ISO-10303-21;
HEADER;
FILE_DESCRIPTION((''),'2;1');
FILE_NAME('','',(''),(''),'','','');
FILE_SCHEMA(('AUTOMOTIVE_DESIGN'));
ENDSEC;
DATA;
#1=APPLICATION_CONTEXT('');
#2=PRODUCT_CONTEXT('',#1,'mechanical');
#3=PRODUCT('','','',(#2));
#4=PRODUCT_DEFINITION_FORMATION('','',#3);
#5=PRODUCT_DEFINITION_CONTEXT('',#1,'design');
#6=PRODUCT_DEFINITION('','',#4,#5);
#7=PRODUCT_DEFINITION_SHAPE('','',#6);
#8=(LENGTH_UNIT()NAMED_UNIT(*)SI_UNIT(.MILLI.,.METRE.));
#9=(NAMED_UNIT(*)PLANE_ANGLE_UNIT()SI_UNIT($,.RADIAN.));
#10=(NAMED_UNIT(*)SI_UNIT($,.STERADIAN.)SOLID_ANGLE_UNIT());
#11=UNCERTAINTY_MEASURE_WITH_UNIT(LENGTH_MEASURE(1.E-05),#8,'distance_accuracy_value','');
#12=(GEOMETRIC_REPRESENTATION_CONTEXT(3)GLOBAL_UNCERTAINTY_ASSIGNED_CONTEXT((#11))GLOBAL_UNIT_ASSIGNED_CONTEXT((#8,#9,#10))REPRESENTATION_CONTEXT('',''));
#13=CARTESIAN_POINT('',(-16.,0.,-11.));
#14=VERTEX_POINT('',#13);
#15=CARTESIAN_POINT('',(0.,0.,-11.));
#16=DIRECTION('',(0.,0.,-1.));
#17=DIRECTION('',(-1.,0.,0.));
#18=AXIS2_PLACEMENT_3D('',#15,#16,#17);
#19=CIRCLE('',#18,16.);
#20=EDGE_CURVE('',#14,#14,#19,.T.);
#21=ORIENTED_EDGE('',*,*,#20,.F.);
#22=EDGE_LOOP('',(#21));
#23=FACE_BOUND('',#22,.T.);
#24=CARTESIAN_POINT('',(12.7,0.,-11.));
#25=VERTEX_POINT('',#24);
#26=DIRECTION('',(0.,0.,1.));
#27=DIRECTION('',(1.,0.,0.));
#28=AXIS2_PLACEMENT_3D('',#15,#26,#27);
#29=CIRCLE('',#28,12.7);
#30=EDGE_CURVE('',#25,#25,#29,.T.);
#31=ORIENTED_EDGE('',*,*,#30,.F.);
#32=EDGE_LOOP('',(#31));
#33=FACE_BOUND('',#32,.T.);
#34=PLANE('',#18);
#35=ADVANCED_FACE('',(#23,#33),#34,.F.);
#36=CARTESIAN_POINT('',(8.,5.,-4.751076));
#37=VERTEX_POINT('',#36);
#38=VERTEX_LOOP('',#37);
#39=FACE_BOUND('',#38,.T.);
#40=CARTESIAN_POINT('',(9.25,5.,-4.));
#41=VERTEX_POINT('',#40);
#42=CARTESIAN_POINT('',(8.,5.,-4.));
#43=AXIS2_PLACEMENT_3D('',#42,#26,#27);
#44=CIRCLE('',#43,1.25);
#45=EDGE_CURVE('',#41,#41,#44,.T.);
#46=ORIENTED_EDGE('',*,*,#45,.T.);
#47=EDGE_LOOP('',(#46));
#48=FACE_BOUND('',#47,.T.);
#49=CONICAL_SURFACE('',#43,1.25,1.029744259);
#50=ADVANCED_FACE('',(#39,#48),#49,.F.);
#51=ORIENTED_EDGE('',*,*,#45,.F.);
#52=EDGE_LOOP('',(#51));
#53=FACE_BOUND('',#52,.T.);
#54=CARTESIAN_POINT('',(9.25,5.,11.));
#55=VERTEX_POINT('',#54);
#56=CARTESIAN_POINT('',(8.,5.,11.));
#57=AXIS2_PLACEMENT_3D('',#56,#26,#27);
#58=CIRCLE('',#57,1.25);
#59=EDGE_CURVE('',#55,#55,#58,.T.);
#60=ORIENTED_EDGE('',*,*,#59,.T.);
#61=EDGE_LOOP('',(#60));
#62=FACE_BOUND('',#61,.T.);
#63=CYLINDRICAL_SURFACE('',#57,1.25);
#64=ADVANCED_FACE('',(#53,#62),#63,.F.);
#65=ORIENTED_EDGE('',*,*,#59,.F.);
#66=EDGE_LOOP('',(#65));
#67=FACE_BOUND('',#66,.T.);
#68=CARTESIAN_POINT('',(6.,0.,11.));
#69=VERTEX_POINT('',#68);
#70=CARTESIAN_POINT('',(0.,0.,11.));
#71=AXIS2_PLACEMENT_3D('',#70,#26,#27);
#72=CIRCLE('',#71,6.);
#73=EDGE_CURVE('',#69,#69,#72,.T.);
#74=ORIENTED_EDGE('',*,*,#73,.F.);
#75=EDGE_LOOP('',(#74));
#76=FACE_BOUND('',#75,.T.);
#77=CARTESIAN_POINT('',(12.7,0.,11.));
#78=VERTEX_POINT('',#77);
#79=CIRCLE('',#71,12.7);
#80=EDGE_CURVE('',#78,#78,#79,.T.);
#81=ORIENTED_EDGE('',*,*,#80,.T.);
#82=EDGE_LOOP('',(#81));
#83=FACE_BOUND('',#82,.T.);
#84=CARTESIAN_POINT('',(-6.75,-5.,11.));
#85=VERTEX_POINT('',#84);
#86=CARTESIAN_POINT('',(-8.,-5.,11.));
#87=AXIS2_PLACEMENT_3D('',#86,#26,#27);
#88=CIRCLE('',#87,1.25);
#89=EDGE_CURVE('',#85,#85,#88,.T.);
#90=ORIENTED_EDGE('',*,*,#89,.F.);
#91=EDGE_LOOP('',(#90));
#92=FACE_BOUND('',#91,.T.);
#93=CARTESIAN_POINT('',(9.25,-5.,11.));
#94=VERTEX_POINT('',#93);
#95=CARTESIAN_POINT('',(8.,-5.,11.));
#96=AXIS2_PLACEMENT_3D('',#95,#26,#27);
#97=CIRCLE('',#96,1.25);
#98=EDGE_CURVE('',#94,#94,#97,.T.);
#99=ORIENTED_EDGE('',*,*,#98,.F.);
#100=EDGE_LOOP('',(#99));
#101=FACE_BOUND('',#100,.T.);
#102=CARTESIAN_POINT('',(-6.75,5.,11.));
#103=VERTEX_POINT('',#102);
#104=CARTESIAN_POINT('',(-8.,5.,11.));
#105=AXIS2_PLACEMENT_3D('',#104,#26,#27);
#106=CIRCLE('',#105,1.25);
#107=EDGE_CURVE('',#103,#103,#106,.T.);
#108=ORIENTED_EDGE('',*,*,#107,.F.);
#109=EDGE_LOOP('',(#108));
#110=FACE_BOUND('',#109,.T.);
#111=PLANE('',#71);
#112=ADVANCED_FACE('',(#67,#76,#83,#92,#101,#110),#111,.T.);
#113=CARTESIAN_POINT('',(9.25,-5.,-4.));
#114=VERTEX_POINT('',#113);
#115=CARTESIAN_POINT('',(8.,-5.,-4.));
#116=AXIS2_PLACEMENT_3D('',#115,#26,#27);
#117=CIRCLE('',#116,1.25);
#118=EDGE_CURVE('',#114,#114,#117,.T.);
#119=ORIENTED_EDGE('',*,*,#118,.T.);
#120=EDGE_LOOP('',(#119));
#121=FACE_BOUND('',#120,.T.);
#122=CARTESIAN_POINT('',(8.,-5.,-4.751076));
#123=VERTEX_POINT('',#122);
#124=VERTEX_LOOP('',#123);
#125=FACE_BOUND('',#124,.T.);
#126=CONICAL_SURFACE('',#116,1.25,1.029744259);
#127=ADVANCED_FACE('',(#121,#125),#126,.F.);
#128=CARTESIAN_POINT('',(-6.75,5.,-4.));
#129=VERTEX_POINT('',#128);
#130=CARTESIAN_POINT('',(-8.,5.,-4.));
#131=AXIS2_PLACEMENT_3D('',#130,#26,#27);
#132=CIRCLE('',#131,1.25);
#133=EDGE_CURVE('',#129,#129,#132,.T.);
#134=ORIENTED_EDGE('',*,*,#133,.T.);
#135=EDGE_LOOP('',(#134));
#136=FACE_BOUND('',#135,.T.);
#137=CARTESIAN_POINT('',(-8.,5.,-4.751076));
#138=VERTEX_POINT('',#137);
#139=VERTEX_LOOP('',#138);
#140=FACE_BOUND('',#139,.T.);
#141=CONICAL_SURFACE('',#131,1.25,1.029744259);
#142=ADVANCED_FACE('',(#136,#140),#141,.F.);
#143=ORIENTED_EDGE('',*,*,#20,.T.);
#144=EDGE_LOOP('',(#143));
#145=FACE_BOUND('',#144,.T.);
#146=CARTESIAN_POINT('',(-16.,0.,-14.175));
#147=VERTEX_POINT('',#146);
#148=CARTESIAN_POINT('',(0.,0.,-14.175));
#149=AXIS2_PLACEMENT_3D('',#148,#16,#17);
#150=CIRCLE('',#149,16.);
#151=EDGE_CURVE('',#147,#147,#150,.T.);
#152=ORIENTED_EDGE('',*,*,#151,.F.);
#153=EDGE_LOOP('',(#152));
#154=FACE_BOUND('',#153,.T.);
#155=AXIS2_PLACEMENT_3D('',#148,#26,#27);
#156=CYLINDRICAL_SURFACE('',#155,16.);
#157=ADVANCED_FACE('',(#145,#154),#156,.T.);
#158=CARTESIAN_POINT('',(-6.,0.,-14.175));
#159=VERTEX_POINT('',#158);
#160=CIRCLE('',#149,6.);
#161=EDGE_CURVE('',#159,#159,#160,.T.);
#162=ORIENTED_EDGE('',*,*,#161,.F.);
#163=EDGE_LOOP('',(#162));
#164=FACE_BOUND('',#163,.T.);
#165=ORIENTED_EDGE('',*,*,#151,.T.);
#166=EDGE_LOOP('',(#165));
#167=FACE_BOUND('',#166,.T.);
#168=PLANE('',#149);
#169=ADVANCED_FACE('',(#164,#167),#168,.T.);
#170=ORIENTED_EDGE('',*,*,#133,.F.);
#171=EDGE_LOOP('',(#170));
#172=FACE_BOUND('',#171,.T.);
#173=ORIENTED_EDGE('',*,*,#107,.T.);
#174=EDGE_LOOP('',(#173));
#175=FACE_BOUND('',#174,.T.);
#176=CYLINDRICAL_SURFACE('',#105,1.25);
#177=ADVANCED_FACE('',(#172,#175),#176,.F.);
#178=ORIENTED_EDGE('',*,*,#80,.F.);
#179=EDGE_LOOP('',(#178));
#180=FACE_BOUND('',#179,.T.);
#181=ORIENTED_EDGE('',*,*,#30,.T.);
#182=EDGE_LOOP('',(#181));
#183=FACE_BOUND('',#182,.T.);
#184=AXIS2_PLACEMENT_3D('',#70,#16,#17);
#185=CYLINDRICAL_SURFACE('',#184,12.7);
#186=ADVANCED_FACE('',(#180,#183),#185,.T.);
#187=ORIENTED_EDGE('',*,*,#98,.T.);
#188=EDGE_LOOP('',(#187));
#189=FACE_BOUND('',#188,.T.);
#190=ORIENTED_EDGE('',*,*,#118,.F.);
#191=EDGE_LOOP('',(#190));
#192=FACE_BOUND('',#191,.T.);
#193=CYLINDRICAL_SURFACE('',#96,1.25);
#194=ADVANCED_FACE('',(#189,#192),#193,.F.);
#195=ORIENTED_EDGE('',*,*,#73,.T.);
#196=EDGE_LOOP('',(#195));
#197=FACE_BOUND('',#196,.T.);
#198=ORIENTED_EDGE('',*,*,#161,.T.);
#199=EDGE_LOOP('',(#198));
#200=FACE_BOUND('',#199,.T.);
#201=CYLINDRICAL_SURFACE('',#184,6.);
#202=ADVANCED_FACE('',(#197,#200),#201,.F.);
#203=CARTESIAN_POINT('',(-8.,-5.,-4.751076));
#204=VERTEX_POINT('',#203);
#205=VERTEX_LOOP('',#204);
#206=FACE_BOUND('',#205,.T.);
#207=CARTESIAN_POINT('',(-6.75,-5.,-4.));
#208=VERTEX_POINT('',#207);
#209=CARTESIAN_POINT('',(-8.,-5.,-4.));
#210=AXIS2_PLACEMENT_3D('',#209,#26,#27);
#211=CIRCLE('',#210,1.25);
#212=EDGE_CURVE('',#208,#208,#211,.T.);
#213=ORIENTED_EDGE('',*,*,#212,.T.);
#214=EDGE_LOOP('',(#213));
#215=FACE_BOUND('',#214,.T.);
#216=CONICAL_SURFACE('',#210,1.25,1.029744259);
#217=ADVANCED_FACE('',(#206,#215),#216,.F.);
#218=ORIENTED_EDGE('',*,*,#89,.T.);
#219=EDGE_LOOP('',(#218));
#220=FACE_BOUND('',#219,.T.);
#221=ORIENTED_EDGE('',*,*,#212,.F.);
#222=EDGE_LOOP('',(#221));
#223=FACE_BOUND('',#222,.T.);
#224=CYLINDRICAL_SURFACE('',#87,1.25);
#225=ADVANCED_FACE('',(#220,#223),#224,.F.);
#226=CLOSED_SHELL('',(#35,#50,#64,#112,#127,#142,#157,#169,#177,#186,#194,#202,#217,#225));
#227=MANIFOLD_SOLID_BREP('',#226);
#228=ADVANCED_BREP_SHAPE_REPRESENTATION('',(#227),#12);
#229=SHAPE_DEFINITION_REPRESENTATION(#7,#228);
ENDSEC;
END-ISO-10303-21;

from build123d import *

# Parameters (mm, degrees)
SKETCH2_R                 = 12.7
SKETCH2_R_2               = 6
BOSS_EXTRUDE1_DEPTH       = 11
SKETCH3_R                 = 16
SKETCH3_R_2               = 6
BOSS_EXTRUDE2_DEPTH       = 3.175
M3X0_5_TAPPED_HOLE1_D     = 2.5
M3X0_5_TAPPED_HOLE1_DEPTH = 15
M3X0_5_TAPPED_HOLE1_TIP   = 0.751075774


with BuildPart() as part:
    # Sketch2 → Boss-Extrude1 (new body, symmetric)
    with BuildSketch(Plane.XY):
        Circle(SKETCH2_R)
        Circle(SKETCH2_R_2, mode=Mode.SUBTRACT)
    extrude(amount=BOSS_EXTRUDE1_DEPTH, both=True)

    # Sketch3 → Boss-Extrude2 (add)
    with BuildSketch(Plane(origin=(0, 0, -11), x_dir=(-1, 0, 0), z_dir=(0, 0, -1))):
        Circle(SKETCH3_R)
        Circle(SKETCH3_R_2, mode=Mode.SUBTRACT)
    extrude(amount=BOSS_EXTRUDE2_DEPTH)

    # M3x0.5 Tapped Hole1
    with Locations(Plane.XY.offset(11)):
        with Locations((-8, 5), (-8, -5), (8, -5), (8, 5)):
            Hole(M3X0_5_TAPPED_HOLE1_D / 2, depth=M3X0_5_TAPPED_HOLE1_DEPTH)
            with Locations((0, 0, -(M3X0_5_TAPPED_HOLE1_DEPTH + M3X0_5_TAPPED_HOLE1_TIP / 2))):  # 118° drill point
                Cone(0, M3X0_5_TAPPED_HOLE1_D / 2, M3X0_5_TAPPED_HOLE1_TIP, mode=Mode.SUBTRACT)


solid = part.part
